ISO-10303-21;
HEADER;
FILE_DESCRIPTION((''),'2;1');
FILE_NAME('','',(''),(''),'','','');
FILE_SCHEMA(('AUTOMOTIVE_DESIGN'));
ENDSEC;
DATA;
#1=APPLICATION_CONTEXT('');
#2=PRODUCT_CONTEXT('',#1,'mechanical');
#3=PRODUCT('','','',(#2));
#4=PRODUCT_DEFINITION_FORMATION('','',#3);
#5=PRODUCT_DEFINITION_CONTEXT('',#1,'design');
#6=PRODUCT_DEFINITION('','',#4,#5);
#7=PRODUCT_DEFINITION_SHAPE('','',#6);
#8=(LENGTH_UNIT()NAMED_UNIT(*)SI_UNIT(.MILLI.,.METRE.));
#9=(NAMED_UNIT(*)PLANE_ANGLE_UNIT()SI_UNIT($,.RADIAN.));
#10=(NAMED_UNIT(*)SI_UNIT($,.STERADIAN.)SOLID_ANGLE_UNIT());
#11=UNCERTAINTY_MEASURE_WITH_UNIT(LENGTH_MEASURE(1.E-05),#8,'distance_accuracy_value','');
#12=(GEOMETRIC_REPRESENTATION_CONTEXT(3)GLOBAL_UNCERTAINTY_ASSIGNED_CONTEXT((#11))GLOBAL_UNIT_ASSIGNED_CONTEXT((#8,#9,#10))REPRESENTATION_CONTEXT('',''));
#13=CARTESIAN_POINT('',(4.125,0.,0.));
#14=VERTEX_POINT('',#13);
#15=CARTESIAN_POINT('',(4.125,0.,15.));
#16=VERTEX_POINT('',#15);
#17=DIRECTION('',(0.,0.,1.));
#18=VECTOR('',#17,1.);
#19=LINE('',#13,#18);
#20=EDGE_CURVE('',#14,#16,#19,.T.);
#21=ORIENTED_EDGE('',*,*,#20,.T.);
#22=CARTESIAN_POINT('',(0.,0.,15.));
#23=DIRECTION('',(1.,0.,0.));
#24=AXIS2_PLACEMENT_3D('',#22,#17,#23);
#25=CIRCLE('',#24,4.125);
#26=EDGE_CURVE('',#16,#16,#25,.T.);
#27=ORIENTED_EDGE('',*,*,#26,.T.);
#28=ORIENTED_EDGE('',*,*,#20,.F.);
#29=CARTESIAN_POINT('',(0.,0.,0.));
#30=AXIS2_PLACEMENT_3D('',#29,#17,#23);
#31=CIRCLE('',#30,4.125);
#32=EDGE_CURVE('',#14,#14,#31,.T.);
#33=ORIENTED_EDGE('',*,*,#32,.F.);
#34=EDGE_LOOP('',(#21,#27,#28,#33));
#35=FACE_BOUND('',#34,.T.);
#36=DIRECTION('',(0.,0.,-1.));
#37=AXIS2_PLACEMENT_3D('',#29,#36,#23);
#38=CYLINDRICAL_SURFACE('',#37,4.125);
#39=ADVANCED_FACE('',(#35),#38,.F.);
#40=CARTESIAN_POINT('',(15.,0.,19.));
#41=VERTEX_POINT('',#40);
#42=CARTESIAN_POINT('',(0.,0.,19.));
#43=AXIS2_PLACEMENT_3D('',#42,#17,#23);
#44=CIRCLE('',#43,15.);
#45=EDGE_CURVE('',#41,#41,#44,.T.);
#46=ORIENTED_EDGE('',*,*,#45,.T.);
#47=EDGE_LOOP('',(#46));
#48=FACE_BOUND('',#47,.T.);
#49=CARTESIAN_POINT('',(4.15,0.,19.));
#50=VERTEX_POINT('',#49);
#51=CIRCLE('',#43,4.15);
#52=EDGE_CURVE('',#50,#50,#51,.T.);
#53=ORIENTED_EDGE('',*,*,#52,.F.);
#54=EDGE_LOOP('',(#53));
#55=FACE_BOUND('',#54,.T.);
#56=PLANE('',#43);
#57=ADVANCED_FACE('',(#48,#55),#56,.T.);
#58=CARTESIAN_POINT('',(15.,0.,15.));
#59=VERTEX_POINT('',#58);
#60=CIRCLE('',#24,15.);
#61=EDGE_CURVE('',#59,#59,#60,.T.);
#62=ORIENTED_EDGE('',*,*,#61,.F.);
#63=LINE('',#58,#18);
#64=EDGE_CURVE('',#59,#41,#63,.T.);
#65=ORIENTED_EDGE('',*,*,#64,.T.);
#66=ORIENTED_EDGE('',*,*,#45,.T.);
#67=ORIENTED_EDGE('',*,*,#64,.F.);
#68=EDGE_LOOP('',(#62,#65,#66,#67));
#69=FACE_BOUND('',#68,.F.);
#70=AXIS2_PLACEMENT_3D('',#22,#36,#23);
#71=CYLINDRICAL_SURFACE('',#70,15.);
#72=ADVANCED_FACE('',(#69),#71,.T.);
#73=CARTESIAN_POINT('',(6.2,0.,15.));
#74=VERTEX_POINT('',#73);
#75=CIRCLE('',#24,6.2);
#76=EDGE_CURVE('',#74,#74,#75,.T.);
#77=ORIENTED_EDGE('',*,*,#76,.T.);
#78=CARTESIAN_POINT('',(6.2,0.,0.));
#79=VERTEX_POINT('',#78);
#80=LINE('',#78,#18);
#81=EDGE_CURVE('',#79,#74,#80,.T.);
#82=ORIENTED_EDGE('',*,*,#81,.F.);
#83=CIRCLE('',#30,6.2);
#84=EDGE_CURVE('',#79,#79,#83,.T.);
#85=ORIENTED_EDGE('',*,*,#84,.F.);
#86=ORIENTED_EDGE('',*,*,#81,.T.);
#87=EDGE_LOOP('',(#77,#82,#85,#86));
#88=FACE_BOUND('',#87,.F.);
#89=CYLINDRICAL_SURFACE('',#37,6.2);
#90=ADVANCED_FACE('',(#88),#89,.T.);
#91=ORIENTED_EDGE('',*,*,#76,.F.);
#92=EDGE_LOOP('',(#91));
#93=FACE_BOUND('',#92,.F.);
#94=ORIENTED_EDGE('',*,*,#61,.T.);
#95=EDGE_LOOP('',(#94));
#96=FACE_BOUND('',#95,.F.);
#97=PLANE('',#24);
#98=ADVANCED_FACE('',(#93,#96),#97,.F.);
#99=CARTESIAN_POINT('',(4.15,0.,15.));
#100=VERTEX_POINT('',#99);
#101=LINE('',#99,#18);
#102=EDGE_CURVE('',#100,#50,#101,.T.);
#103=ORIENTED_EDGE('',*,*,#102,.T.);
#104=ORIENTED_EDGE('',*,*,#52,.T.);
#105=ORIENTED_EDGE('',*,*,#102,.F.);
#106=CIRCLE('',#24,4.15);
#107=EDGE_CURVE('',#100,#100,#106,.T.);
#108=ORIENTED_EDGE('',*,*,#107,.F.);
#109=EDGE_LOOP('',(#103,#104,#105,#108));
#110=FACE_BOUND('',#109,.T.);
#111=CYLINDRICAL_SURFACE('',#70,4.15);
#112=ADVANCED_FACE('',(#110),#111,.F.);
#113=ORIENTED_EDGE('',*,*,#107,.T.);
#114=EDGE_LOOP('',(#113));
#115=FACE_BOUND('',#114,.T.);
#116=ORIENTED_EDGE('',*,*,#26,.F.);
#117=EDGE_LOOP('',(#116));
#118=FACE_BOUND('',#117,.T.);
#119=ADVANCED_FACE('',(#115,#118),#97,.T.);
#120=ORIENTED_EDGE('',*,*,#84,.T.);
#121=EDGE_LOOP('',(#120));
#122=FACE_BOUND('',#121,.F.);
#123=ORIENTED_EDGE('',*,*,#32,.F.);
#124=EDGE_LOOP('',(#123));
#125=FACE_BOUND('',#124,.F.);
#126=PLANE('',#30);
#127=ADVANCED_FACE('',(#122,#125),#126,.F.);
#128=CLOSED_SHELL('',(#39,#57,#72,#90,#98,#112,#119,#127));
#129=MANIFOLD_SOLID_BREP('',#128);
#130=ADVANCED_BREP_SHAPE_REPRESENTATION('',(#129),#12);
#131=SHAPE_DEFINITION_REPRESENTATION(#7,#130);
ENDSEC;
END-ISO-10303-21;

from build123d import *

# Parameters (mm, degrees)
SKETCH_R      = 6.2
SKETCH_R_2    = 4.125
PAD_DEPTH     = 15
SKETCH001_R   = 15
SKETCH001_R_2 = 4.15
PAD001_DEPTH  = 4


with BuildPart() as part:
    # Sketch → Pad (new body)
    with BuildSketch(Plane.XY):
        Circle(SKETCH_R)
        Circle(SKETCH_R_2, mode=Mode.SUBTRACT)
    extrude(amount=PAD_DEPTH)

    # Sketch001 (on Face4 of Pad) → Pad001 (join)
    with BuildSketch(Plane.XY.offset(15)):
        Circle(SKETCH001_R)
        Circle(SKETCH001_R_2, mode=Mode.SUBTRACT)
    extrude(amount=PAD001_DEPTH)


solid = part.part
